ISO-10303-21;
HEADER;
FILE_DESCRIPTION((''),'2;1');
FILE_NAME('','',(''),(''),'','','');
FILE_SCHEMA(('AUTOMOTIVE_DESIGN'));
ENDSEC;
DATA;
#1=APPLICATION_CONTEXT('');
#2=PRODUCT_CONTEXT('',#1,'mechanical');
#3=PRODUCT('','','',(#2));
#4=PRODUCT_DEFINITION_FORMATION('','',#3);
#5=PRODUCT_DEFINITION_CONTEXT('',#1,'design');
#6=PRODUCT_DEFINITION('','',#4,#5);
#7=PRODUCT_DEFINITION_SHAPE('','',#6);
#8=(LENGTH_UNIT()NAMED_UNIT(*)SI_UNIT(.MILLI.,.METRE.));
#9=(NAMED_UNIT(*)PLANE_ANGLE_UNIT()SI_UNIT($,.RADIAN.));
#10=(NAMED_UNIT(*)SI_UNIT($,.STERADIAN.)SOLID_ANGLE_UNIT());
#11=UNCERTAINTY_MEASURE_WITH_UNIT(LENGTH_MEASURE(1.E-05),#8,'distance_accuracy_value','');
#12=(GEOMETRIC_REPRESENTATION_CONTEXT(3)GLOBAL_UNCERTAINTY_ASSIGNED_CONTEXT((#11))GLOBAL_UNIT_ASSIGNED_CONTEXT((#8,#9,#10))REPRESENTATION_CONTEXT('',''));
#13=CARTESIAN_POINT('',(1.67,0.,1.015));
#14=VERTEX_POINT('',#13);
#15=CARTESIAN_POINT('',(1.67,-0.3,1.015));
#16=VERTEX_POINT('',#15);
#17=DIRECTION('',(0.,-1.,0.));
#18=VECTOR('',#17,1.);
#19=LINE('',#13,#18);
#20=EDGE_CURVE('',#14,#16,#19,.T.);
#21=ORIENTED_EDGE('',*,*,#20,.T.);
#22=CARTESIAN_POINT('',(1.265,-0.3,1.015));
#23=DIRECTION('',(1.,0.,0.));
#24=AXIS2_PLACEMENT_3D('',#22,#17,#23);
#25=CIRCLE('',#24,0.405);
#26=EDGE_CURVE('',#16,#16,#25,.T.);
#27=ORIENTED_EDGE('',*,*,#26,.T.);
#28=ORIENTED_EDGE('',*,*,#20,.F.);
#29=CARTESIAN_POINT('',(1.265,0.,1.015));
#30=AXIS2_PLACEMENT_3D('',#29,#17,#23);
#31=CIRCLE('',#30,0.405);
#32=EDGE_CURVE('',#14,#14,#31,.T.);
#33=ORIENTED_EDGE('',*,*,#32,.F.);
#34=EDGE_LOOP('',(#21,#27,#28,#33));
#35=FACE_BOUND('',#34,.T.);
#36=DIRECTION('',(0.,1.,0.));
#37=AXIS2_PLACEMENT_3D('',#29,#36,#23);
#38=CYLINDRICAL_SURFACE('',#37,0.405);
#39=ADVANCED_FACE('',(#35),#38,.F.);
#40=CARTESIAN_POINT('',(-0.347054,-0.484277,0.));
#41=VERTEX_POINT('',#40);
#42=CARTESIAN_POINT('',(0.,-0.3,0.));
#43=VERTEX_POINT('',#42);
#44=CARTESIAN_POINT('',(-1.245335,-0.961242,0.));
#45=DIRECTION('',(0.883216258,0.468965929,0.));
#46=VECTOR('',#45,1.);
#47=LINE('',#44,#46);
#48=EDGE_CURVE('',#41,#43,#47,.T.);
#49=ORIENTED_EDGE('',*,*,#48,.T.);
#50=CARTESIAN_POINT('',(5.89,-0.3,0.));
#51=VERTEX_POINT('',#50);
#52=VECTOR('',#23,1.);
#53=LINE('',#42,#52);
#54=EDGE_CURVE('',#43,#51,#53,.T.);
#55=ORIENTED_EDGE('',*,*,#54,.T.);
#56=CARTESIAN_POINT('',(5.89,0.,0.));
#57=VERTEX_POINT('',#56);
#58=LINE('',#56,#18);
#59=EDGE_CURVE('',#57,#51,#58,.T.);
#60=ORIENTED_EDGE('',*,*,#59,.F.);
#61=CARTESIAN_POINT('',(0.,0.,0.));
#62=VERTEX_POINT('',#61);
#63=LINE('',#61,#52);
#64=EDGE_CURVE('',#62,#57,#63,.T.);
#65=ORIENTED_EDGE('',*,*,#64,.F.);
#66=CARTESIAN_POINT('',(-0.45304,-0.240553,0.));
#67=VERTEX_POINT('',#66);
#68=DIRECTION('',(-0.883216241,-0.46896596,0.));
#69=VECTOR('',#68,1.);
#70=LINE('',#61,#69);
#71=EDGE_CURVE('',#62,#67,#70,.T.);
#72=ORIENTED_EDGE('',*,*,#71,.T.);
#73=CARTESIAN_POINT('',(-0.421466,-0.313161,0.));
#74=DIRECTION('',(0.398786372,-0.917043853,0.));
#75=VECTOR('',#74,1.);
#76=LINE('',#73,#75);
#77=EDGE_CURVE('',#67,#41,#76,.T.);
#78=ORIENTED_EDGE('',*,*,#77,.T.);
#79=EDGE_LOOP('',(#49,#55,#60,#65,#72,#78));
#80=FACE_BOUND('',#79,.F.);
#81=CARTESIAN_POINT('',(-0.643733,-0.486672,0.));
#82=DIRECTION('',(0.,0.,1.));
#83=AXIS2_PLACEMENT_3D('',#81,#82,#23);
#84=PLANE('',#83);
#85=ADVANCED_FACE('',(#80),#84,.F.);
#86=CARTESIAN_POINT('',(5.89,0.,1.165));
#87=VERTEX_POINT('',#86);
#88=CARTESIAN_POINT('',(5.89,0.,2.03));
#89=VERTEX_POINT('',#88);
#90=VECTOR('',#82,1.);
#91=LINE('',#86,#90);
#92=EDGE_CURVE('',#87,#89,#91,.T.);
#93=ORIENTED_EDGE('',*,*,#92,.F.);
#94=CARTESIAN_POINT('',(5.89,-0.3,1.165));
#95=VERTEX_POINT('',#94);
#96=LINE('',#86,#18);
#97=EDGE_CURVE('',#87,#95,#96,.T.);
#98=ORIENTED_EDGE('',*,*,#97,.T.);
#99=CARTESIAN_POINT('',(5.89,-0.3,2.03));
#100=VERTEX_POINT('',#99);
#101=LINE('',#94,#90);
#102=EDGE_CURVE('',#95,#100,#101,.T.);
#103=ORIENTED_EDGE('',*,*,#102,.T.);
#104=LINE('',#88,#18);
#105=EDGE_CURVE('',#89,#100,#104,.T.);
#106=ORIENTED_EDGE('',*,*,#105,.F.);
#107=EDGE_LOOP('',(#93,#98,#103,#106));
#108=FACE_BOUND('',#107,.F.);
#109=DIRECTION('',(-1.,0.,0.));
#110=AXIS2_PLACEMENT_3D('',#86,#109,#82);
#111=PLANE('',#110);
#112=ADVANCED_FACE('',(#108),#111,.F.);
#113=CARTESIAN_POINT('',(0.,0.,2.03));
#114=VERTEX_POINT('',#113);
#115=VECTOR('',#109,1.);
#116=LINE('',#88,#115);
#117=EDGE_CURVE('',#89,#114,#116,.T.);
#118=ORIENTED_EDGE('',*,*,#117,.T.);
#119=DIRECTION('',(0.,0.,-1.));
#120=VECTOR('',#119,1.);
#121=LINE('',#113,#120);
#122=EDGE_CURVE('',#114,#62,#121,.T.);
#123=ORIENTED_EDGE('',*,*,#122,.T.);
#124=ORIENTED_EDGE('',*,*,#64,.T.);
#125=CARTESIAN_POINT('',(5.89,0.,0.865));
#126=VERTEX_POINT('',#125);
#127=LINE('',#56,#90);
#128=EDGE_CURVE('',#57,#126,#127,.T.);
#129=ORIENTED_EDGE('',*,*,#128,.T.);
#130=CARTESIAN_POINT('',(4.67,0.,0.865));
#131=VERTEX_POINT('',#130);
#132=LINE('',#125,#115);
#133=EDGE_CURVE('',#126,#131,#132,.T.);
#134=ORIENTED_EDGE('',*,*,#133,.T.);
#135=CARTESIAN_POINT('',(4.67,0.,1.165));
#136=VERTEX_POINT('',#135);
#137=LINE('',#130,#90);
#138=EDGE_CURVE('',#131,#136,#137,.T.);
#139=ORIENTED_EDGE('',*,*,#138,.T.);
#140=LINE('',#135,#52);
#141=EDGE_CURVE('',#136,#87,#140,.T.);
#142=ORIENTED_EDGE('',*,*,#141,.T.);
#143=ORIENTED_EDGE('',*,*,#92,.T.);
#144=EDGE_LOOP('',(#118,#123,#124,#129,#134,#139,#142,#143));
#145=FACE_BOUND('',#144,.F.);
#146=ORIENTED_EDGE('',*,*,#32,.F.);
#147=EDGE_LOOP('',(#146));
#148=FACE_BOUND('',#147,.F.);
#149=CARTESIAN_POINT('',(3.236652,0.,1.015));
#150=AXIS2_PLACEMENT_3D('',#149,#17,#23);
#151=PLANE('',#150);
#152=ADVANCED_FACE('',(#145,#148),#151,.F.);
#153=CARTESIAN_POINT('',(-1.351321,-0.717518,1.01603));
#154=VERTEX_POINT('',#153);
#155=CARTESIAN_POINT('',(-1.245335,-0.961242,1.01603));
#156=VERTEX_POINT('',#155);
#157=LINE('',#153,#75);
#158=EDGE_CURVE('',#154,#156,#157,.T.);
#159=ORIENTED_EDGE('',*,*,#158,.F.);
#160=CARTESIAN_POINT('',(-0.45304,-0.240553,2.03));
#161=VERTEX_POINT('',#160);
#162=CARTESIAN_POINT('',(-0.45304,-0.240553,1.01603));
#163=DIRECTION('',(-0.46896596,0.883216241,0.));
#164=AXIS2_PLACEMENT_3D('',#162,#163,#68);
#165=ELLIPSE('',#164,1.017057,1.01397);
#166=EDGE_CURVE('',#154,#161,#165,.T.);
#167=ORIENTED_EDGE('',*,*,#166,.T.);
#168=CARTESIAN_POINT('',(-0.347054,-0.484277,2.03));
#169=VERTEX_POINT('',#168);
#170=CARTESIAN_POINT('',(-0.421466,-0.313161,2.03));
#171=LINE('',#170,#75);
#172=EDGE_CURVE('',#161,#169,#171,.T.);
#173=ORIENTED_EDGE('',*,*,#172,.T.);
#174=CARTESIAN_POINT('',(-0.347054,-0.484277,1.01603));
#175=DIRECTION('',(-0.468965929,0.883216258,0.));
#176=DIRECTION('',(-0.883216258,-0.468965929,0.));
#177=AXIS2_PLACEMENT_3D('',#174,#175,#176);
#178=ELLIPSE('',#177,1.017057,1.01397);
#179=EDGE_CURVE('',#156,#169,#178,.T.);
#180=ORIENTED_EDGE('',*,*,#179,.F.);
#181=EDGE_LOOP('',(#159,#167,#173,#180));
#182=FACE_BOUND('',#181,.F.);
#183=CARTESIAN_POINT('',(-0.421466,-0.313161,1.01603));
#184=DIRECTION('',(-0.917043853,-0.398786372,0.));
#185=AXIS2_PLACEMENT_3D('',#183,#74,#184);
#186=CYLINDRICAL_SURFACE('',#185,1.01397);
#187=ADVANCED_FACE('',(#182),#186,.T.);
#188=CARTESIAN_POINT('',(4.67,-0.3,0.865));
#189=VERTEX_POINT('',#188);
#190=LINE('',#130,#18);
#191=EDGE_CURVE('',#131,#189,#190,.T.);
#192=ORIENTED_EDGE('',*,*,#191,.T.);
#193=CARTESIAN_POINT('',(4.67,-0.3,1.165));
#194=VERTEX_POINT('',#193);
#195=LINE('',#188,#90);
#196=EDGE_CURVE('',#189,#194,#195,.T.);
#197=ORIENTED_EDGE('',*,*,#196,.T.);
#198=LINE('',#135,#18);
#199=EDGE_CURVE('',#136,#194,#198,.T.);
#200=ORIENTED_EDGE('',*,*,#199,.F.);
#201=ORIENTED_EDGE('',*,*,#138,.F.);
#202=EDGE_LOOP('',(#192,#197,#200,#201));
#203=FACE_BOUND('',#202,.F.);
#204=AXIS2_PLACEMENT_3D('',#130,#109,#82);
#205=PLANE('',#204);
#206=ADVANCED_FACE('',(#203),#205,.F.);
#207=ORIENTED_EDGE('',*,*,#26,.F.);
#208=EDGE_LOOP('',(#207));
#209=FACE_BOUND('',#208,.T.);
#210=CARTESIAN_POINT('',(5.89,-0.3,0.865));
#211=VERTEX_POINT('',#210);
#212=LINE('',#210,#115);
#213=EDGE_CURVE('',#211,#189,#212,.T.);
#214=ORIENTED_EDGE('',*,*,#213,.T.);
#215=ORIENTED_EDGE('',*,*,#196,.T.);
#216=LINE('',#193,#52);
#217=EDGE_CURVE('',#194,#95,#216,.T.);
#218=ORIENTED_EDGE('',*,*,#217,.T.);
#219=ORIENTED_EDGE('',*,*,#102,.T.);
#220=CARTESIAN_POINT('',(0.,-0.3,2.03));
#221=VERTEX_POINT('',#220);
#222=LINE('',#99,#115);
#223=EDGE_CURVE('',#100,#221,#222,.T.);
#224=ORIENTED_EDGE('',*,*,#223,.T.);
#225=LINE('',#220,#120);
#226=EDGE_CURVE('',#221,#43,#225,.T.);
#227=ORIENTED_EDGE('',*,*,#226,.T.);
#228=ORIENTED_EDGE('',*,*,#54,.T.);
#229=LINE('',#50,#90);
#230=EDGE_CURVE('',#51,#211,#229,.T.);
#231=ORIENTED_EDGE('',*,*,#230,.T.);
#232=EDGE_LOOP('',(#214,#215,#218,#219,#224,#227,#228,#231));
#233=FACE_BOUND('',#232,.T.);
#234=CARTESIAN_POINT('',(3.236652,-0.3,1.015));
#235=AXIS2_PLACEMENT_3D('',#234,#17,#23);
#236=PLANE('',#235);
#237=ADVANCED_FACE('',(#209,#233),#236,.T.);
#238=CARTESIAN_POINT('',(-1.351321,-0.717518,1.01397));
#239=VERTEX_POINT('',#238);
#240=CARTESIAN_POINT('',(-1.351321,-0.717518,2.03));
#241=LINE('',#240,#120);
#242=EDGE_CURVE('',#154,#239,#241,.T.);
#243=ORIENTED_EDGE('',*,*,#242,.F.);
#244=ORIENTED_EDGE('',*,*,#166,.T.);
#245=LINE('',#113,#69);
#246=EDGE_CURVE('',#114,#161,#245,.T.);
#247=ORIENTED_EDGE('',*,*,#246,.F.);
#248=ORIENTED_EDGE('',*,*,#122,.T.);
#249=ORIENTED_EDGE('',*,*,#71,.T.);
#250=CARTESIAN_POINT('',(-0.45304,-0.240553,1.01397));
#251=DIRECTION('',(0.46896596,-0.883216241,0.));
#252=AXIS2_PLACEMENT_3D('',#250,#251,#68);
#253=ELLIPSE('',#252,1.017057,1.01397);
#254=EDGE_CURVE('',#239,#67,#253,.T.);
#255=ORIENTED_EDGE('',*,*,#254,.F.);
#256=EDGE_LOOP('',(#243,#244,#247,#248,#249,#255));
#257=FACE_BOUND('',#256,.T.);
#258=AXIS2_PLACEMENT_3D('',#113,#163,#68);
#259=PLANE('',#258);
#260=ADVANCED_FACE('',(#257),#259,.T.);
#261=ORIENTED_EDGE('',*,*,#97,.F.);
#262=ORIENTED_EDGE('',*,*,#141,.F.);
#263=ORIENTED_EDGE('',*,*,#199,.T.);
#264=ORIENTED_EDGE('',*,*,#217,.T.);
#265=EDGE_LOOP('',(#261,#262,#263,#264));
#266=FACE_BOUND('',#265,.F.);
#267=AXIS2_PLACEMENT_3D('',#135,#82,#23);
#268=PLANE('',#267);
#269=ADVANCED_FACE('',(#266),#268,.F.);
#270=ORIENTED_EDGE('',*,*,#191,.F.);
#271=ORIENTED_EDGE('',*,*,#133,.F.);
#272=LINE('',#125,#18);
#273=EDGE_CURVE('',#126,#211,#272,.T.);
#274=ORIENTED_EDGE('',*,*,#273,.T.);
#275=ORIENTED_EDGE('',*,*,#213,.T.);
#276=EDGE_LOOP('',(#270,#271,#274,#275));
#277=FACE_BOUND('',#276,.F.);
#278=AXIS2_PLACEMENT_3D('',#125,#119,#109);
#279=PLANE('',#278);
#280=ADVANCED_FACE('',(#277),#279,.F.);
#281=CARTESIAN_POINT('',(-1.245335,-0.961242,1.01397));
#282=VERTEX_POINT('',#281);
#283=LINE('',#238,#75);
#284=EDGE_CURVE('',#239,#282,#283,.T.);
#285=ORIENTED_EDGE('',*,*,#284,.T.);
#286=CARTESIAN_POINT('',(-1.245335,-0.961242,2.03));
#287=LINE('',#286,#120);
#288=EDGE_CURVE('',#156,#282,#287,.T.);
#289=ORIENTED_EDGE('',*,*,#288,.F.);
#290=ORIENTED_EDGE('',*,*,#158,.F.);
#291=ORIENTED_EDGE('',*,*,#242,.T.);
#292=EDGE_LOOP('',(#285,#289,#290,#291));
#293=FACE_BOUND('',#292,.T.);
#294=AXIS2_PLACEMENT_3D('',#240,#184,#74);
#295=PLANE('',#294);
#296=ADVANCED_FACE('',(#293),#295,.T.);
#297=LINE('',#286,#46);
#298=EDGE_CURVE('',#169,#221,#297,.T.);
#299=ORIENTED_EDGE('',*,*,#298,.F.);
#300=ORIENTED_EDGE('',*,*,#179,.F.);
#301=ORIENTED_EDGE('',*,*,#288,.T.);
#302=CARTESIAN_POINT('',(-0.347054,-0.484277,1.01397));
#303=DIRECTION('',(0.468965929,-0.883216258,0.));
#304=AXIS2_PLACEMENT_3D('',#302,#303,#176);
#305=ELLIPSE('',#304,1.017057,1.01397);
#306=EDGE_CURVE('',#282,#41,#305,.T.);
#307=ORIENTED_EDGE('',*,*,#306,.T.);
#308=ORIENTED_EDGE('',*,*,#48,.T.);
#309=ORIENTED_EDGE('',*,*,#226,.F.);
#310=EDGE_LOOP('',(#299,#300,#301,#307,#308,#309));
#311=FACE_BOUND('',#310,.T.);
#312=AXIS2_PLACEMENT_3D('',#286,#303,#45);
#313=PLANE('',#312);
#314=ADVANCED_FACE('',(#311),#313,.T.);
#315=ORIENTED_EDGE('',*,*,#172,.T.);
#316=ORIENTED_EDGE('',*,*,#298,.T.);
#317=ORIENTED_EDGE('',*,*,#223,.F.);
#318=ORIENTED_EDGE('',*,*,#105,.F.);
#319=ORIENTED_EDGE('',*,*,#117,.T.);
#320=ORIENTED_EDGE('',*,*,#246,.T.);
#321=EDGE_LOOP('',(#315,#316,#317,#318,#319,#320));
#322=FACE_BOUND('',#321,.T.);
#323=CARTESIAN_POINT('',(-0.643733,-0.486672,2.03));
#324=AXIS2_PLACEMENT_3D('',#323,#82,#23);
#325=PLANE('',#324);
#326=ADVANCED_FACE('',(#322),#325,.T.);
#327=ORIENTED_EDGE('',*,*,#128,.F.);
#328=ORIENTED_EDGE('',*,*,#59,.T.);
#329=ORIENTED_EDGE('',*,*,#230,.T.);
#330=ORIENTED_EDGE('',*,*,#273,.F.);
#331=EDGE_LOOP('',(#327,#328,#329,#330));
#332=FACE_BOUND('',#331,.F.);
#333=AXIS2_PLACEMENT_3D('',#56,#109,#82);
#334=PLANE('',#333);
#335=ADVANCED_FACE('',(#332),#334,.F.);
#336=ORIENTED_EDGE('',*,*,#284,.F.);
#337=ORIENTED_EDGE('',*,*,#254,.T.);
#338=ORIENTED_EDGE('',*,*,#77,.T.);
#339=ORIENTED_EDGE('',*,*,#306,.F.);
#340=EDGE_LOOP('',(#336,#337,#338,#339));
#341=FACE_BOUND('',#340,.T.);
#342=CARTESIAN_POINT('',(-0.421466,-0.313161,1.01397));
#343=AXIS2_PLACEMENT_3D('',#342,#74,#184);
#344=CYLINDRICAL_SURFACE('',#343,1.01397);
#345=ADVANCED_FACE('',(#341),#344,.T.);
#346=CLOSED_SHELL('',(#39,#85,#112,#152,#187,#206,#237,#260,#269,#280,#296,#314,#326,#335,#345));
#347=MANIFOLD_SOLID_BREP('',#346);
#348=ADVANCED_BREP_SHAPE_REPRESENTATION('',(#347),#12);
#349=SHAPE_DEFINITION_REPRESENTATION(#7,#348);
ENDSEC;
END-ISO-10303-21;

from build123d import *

# Parameters (mm, degrees)
F0_R     = 0.405
F1_DEPTH = 0.3
F3_DEPTH = 2.03
F4_R     = 1.01397


with BuildPart() as f1:
    # F0 (on Front) → F1 (new body)
    with BuildSketch(Plane.XZ):
        Polygon((0, 2.03), (0, 0), (5.89, 0), (5.89, 0.865), (4.67, 0.865), (4.67, 1.165), (5.89, 1.165), (5.89, 2.03), align=None)
        with Locations((1.265, 1.015)):
            Circle(F0_R, mode=Mode.SUBTRACT)
    extrude(amount=F1_DEPTH)

    # F2 (on face) → F3 (join)
    with BuildSketch(Plane.XY.offset(2.03)):
        Polygon((0, -0.3), (0, 0), (-1.351321, -0.717518), (-1.245335, -0.961242), align=None)
    extrude(amount=-F3_DEPTH)

    # F4
    f4_edges = [f1.edges().sort_by_distance(p)[0] for p in [
        (-1.298328, -0.83938, 0),
        (-1.298328, -0.83938, 2.03),
    ]]
    fillet(f4_edges, radius=F4_R)


solid = f1.part
